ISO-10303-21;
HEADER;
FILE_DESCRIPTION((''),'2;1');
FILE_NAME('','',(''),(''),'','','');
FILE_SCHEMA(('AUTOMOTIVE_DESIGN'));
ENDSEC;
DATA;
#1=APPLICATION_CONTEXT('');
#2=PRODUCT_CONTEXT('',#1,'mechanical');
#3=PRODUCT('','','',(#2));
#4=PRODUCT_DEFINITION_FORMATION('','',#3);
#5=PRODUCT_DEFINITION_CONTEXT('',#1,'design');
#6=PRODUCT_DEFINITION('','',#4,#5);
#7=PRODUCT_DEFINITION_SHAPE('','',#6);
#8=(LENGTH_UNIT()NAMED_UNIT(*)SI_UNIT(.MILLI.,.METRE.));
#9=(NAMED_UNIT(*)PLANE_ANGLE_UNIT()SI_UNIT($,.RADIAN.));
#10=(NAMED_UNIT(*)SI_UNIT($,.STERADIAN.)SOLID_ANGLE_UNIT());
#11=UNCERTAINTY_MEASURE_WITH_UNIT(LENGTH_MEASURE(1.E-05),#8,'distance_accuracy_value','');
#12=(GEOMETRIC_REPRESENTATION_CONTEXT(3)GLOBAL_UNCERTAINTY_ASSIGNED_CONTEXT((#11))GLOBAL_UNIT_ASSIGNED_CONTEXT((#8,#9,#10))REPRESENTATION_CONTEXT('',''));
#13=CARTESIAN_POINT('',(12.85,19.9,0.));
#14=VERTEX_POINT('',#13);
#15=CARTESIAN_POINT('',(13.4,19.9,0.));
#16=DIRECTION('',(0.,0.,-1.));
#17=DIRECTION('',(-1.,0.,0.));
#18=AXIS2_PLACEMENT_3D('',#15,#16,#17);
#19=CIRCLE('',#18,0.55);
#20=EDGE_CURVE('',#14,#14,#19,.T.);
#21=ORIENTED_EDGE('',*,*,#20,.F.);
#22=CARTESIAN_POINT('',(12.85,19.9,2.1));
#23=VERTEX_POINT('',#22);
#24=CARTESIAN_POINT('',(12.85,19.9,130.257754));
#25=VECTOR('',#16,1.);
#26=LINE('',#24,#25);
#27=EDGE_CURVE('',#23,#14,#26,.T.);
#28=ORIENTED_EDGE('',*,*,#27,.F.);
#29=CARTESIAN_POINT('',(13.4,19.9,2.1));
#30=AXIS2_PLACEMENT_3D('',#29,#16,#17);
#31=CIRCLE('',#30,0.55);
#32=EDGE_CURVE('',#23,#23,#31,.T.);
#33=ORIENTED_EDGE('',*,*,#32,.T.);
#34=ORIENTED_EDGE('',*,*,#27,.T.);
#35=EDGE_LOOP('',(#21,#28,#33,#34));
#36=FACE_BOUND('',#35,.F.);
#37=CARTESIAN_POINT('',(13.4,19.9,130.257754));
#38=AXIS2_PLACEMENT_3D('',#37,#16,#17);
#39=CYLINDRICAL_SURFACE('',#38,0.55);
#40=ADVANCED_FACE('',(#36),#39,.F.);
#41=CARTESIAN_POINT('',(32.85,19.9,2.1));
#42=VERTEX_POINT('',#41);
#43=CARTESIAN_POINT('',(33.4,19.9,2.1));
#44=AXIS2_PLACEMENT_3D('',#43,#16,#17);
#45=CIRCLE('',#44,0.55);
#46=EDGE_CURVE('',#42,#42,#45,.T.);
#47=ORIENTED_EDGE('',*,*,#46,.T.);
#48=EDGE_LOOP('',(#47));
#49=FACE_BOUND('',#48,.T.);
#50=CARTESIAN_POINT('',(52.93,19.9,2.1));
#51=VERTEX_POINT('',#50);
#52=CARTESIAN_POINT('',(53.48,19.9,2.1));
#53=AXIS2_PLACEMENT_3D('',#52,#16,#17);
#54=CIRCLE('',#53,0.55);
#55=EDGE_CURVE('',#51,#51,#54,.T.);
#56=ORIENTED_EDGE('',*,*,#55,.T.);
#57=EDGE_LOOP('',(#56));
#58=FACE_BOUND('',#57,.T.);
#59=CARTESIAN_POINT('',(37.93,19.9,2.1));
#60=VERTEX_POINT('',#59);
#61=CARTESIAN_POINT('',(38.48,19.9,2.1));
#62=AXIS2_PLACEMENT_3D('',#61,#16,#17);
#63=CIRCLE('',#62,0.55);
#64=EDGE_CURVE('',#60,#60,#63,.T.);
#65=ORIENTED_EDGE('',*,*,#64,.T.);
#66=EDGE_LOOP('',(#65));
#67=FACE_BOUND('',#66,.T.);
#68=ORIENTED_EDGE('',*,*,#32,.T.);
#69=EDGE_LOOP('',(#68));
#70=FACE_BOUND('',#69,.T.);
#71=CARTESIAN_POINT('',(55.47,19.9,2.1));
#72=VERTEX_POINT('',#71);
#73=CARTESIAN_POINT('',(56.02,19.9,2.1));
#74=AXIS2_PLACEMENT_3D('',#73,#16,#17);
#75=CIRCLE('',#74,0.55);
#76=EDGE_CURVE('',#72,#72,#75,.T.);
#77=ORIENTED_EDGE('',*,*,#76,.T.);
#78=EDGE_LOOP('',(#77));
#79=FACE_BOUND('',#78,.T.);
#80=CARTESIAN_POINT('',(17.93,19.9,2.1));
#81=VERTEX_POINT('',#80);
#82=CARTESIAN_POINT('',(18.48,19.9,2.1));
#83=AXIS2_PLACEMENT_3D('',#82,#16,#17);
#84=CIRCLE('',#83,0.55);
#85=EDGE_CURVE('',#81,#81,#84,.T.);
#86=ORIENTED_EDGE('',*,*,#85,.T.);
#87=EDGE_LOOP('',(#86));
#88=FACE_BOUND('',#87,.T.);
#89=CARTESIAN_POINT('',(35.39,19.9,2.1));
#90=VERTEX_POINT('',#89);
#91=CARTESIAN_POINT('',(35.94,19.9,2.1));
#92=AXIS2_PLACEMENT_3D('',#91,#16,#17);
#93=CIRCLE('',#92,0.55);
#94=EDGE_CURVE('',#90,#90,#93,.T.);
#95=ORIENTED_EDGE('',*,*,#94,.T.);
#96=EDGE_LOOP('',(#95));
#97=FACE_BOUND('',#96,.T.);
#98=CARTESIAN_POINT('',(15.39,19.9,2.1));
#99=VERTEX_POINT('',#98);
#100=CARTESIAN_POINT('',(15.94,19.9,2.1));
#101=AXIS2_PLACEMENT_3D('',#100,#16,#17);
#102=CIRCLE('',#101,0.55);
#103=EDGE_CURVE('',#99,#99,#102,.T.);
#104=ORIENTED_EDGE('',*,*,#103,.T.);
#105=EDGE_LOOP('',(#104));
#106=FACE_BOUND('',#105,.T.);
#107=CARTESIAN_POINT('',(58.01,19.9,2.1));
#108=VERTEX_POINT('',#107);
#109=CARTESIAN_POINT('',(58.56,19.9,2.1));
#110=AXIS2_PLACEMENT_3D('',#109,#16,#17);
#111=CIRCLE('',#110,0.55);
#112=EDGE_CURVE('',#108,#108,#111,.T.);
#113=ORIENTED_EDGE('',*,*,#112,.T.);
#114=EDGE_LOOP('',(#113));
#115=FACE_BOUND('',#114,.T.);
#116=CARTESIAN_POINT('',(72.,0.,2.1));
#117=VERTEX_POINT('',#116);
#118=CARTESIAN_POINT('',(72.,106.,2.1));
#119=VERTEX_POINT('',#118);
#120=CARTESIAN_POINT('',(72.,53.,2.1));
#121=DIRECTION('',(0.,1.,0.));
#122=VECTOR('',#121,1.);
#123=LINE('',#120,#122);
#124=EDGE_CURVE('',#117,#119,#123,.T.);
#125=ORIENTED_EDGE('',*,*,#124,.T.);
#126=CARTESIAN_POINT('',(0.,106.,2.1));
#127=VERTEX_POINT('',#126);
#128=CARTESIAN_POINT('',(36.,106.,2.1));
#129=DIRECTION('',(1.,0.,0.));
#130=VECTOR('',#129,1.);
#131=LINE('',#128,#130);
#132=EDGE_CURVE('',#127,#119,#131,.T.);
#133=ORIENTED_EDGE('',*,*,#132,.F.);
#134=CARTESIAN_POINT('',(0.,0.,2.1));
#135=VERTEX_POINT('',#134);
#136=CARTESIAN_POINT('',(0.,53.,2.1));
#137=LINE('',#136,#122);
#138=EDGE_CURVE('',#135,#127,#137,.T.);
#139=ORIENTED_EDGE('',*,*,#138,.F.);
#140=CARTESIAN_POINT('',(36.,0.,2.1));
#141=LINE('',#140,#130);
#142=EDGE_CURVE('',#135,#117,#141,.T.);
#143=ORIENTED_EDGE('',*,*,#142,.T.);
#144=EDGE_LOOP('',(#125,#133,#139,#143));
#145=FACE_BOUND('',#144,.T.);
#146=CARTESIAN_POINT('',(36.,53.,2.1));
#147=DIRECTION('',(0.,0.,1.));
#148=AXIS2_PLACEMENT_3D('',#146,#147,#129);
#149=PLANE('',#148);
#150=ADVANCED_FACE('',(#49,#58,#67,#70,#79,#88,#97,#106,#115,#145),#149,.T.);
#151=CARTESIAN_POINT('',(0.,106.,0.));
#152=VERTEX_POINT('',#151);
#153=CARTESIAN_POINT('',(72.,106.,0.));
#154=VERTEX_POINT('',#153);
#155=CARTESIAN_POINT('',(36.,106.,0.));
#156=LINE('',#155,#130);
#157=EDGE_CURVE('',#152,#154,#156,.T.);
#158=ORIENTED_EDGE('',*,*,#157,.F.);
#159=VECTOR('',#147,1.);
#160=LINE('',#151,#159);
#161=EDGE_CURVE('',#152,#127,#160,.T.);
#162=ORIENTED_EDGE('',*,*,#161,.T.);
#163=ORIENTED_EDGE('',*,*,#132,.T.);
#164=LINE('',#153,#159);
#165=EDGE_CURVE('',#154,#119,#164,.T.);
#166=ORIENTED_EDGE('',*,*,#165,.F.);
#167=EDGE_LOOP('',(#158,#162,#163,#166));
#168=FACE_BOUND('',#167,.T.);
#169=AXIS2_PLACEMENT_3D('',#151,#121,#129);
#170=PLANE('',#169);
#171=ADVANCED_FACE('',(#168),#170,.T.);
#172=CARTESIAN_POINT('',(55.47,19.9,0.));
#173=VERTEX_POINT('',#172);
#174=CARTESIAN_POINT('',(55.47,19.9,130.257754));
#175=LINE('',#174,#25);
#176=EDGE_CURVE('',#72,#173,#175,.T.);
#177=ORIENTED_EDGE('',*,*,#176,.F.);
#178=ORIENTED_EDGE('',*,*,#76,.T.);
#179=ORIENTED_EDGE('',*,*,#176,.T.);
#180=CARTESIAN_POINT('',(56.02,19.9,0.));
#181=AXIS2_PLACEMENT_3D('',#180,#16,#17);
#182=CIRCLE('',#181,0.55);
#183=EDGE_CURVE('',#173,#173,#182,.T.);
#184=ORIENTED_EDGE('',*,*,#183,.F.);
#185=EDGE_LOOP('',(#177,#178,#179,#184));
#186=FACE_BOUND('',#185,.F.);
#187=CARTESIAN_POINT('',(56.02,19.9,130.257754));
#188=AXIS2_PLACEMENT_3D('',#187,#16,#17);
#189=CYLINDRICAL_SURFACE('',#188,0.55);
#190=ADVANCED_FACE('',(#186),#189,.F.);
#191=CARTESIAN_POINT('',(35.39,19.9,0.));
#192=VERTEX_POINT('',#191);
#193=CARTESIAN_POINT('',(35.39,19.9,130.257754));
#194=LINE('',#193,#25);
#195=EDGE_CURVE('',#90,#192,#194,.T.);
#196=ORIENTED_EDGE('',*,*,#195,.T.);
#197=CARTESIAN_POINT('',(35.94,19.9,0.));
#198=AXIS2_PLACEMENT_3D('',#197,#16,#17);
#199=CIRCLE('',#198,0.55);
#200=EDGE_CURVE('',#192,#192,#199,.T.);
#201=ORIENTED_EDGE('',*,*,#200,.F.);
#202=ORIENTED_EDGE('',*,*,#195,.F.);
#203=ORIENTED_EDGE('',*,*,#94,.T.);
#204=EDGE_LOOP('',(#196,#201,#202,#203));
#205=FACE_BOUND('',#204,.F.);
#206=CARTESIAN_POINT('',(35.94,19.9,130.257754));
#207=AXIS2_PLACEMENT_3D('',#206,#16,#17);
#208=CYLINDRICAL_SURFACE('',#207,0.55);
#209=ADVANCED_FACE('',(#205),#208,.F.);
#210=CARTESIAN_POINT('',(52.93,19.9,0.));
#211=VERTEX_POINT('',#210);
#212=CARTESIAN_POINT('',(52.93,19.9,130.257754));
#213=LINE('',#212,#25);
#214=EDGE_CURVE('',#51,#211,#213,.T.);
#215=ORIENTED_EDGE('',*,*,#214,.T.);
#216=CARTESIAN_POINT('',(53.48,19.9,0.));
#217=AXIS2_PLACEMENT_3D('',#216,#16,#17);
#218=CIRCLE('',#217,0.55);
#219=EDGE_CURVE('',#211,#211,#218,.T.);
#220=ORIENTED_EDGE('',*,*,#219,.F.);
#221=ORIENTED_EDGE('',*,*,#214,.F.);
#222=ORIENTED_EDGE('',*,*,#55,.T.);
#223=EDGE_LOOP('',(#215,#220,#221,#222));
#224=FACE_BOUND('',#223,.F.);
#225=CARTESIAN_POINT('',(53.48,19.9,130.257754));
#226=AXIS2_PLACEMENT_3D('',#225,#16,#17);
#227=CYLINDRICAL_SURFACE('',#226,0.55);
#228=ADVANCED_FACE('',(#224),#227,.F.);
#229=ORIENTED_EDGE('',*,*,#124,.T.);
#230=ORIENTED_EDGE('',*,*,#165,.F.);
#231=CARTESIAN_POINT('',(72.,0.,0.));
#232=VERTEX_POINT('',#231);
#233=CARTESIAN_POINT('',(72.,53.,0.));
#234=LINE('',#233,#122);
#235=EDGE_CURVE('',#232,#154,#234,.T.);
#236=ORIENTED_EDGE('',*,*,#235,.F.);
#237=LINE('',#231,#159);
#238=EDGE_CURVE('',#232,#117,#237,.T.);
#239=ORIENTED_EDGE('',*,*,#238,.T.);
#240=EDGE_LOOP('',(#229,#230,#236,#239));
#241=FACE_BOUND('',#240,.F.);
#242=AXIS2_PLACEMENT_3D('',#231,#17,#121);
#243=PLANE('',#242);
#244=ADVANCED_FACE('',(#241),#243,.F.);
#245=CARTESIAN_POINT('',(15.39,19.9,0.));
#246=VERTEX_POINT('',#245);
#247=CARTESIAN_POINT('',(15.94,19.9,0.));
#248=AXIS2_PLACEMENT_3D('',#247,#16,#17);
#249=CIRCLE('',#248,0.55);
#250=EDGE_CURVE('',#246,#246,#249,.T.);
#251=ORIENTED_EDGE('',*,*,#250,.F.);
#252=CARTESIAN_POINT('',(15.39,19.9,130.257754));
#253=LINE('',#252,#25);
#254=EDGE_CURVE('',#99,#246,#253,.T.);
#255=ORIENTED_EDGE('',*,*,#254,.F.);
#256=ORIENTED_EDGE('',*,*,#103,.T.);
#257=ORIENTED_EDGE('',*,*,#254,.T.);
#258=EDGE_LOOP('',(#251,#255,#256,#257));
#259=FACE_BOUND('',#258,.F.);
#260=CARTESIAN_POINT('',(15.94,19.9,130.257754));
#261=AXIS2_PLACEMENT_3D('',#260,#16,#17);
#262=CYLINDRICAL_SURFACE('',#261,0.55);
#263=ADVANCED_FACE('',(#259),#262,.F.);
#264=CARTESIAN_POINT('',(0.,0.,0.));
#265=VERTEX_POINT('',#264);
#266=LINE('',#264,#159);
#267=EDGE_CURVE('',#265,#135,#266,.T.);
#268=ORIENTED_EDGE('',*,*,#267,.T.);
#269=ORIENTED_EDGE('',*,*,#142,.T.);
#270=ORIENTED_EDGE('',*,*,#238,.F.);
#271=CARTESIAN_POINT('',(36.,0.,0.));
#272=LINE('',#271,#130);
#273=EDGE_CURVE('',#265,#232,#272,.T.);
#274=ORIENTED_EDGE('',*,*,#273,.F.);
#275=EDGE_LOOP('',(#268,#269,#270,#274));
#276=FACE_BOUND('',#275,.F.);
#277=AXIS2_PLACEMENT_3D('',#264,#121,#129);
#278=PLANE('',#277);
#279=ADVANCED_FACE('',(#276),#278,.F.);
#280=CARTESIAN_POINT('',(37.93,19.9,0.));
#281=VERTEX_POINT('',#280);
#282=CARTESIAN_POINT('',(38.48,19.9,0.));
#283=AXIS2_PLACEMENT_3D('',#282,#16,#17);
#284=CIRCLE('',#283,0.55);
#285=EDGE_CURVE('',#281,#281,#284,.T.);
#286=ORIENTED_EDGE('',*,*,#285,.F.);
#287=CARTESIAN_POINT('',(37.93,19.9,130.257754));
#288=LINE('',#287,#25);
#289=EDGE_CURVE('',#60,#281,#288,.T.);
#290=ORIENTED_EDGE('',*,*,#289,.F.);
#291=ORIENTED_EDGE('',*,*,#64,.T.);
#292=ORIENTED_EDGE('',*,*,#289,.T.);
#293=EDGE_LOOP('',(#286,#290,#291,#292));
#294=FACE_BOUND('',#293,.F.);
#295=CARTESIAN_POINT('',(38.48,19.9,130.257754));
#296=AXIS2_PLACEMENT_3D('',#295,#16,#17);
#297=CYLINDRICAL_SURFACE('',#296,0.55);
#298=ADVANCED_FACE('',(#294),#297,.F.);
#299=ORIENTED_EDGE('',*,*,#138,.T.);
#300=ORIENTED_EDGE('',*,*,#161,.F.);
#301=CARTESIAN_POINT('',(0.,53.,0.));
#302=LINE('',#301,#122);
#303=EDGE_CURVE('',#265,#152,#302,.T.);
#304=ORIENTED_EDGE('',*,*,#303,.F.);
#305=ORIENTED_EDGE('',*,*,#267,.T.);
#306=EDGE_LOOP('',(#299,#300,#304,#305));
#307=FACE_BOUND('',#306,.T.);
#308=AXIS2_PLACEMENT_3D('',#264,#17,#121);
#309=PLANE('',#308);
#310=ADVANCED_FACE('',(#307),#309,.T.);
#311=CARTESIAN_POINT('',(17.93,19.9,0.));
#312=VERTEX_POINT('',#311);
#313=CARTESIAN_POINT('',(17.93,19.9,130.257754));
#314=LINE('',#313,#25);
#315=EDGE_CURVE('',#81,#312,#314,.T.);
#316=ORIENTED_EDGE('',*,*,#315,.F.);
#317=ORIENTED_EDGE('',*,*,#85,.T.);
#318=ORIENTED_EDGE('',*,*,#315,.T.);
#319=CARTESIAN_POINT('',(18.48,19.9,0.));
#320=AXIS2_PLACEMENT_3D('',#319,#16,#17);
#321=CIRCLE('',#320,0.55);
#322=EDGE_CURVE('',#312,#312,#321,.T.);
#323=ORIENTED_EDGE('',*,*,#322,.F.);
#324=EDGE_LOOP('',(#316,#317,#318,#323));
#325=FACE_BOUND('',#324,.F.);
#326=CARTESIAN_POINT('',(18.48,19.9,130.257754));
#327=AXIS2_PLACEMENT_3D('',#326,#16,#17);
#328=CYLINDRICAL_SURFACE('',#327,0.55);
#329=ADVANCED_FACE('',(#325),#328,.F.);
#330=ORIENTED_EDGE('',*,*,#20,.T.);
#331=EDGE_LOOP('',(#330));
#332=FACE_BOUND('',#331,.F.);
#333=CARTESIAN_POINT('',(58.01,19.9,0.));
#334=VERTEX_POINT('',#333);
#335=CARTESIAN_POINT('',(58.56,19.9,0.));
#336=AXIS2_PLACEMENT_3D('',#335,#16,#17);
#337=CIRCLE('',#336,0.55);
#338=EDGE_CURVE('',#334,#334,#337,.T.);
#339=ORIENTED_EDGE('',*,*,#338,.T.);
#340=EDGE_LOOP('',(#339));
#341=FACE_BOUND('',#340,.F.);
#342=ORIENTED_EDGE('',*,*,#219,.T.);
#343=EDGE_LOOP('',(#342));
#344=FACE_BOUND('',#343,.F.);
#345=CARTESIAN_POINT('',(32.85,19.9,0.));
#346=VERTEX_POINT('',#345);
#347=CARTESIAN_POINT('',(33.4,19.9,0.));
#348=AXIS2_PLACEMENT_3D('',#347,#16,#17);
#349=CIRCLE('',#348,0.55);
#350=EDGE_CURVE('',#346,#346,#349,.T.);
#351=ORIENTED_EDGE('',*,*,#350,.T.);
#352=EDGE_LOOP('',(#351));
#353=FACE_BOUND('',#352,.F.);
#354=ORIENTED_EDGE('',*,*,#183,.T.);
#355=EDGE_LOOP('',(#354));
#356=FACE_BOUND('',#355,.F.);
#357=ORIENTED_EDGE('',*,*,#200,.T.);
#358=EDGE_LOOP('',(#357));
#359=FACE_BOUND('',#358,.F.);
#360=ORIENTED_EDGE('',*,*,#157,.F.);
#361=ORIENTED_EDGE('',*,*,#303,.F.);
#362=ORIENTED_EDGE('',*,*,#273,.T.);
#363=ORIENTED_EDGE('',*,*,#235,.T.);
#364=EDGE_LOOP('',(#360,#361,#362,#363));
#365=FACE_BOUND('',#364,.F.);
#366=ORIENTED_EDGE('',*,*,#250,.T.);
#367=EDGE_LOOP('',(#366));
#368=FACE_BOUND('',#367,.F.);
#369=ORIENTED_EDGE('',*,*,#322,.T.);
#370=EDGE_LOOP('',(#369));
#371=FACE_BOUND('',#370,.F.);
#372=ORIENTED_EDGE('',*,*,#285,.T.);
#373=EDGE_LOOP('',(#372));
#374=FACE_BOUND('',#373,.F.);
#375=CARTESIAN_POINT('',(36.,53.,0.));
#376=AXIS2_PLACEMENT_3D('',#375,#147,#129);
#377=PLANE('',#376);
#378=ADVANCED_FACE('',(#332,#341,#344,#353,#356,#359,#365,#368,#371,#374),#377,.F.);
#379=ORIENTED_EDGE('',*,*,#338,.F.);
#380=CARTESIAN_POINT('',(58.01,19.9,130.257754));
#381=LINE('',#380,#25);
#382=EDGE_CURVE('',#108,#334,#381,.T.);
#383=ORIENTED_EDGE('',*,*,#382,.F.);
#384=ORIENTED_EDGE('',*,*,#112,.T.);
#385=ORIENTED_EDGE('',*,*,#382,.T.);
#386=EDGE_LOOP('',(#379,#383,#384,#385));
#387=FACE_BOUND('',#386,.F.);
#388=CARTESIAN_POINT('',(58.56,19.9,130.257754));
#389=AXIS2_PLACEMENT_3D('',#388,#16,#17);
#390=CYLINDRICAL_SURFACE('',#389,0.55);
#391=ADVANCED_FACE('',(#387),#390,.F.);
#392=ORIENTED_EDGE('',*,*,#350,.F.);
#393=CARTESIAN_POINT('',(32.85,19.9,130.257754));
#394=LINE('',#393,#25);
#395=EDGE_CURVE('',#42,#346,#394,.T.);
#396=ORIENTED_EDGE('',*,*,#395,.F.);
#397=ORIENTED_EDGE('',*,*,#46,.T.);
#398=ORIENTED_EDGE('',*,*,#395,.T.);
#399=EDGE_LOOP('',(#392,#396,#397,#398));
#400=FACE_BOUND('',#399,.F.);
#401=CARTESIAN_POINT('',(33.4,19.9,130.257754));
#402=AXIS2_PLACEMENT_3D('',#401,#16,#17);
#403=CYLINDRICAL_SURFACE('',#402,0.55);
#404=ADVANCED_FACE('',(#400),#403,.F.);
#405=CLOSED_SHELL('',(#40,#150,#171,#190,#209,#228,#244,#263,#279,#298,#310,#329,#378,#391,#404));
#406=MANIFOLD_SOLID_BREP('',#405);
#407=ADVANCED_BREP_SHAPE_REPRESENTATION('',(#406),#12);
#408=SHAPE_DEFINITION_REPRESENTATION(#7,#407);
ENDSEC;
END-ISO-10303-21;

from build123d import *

# Parameters (mm, degrees)
F0_W     = 72
F0_H     = 106
F1_DEPTH = 2.1
F3_D     = 1.1


with BuildPart() as f1:
    # F0 (on Top) → F1 (new body)
    with BuildSketch(Plane.XY):
        with Locations((36, 53)):
            Rectangle(F0_W, F0_H)
    extrude(amount=F1_DEPTH)

    # F3 (through all)
    with Locations(Plane.XY.offset(2.1)):
        with Locations((13.4, 19.9), (15.94, 19.9), (18.48, 19.9), (33.4, 19.9), (35.94, 19.9), (38.48, 19.9), (53.48, 19.9), (56.02, 19.9), (58.56, 19.9)):
            Hole(F3_D / 2)


solid = f1.part
